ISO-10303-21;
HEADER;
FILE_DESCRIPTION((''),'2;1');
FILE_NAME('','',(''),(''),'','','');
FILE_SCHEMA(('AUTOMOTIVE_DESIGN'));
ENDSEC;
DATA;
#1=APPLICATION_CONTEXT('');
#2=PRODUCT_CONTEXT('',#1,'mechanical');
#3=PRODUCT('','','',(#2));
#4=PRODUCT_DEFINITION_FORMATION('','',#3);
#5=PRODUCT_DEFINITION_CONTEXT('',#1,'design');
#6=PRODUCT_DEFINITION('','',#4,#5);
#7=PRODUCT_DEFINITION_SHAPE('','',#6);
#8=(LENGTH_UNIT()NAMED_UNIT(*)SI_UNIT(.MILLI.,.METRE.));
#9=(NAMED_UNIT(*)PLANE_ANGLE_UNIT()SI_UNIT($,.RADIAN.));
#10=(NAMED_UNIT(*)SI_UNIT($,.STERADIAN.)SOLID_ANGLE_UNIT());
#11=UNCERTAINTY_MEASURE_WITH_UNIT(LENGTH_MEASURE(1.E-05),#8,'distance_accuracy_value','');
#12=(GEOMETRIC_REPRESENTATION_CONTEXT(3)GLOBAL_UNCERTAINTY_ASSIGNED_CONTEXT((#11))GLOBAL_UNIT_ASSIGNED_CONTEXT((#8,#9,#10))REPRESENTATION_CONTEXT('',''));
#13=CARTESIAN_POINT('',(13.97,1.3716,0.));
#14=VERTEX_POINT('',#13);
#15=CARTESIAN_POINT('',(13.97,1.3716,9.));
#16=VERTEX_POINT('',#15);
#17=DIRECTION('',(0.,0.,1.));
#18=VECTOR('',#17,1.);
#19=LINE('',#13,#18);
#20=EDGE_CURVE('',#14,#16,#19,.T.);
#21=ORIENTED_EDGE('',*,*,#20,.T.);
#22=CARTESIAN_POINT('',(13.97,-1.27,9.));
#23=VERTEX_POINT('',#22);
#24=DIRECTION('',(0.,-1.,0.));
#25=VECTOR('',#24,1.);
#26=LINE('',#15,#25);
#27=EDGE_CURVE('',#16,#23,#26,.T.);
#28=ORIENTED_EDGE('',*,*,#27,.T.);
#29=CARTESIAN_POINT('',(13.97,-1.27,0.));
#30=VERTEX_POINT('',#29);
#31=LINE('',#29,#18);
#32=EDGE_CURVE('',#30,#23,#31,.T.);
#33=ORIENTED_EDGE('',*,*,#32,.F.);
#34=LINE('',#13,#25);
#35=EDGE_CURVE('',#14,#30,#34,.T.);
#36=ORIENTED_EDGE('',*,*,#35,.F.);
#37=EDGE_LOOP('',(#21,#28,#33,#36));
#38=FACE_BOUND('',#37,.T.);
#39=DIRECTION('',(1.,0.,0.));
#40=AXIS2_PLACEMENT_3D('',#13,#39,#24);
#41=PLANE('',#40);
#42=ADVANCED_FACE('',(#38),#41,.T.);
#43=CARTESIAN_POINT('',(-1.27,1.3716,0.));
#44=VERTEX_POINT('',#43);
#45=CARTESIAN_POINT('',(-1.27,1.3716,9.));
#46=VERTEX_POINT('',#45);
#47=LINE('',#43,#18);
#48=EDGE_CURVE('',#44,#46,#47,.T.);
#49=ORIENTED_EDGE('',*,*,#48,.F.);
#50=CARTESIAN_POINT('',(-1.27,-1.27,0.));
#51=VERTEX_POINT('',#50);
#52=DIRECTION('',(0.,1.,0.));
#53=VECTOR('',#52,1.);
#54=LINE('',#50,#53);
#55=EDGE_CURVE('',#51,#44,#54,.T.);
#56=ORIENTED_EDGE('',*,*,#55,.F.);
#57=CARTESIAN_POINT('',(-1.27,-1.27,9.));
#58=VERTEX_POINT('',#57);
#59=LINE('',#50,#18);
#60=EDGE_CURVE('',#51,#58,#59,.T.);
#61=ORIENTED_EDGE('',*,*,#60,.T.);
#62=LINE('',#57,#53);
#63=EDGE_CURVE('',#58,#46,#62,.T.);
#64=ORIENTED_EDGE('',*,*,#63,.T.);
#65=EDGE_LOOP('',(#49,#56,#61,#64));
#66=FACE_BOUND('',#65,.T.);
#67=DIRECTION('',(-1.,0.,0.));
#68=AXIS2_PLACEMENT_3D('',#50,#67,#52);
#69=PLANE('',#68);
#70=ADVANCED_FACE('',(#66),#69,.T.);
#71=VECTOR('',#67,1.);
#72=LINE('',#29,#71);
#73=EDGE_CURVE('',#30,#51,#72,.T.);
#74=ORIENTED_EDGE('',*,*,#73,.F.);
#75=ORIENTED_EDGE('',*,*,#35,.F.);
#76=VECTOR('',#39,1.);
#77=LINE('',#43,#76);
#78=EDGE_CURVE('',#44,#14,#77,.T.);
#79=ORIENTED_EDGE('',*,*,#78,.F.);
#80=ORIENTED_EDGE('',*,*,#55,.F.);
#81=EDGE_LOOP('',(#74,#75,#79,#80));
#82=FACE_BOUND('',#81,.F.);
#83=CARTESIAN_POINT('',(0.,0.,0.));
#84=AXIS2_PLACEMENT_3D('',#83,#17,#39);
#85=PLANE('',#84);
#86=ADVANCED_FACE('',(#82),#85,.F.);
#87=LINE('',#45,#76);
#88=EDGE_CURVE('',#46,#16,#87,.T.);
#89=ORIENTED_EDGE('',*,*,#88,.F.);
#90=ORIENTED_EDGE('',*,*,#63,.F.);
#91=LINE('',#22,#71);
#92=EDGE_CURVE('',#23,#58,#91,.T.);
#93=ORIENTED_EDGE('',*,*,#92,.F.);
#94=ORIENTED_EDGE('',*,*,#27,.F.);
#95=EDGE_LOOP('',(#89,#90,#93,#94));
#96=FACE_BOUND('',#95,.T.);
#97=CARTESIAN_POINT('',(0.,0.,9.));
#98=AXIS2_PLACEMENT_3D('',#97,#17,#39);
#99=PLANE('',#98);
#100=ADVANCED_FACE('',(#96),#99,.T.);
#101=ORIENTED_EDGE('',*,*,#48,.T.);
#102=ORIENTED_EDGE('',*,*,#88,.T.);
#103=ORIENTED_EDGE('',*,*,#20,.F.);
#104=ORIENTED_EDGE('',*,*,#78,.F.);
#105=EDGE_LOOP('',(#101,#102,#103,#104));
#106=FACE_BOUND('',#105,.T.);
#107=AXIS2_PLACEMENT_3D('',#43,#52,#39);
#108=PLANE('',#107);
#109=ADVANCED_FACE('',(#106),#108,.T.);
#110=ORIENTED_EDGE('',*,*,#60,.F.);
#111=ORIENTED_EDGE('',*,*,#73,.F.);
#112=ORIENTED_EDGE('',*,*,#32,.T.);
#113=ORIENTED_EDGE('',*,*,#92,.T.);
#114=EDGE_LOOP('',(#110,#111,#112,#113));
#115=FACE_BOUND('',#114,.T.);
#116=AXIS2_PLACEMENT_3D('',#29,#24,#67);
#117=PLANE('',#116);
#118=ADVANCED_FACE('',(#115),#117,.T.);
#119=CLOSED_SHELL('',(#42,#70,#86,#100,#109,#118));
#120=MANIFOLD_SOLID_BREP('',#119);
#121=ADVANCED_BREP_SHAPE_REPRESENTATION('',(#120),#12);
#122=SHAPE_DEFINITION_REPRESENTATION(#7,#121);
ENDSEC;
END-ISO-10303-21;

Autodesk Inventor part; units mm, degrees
ref_plane "YZ Plane" through (0, 0, 0) normal (1, 0, 0) x (0, 1, 0)
ref_plane "XZ Plane" through (0, 0, 0) normal (0, 1, 0) x (-1, 0, 0)
ref_plane "XY Plane" through (0, 0, 0) normal (0, 0, 1) x (1, 0, 0)
sketch "1X06, ANALOG_17" plane through (0, 0, 0) normal (0, 0, 1) x (1, 0, 0)
  line L0 (-1.27, 1.3716) -> (13.97, 1.3716)
  line L1 (13.97, 1.3716) -> (13.97, -1.27)
  line L2 (13.97, -1.27) -> (-1.27, -1.27)
  line L3 (-1.27, -1.27) -> (-1.27, 1.3716)
extrude "Extrusion1" add sketch "1X06, ANALOG_17" along normal blind 9
properties part number "ANALOG"
